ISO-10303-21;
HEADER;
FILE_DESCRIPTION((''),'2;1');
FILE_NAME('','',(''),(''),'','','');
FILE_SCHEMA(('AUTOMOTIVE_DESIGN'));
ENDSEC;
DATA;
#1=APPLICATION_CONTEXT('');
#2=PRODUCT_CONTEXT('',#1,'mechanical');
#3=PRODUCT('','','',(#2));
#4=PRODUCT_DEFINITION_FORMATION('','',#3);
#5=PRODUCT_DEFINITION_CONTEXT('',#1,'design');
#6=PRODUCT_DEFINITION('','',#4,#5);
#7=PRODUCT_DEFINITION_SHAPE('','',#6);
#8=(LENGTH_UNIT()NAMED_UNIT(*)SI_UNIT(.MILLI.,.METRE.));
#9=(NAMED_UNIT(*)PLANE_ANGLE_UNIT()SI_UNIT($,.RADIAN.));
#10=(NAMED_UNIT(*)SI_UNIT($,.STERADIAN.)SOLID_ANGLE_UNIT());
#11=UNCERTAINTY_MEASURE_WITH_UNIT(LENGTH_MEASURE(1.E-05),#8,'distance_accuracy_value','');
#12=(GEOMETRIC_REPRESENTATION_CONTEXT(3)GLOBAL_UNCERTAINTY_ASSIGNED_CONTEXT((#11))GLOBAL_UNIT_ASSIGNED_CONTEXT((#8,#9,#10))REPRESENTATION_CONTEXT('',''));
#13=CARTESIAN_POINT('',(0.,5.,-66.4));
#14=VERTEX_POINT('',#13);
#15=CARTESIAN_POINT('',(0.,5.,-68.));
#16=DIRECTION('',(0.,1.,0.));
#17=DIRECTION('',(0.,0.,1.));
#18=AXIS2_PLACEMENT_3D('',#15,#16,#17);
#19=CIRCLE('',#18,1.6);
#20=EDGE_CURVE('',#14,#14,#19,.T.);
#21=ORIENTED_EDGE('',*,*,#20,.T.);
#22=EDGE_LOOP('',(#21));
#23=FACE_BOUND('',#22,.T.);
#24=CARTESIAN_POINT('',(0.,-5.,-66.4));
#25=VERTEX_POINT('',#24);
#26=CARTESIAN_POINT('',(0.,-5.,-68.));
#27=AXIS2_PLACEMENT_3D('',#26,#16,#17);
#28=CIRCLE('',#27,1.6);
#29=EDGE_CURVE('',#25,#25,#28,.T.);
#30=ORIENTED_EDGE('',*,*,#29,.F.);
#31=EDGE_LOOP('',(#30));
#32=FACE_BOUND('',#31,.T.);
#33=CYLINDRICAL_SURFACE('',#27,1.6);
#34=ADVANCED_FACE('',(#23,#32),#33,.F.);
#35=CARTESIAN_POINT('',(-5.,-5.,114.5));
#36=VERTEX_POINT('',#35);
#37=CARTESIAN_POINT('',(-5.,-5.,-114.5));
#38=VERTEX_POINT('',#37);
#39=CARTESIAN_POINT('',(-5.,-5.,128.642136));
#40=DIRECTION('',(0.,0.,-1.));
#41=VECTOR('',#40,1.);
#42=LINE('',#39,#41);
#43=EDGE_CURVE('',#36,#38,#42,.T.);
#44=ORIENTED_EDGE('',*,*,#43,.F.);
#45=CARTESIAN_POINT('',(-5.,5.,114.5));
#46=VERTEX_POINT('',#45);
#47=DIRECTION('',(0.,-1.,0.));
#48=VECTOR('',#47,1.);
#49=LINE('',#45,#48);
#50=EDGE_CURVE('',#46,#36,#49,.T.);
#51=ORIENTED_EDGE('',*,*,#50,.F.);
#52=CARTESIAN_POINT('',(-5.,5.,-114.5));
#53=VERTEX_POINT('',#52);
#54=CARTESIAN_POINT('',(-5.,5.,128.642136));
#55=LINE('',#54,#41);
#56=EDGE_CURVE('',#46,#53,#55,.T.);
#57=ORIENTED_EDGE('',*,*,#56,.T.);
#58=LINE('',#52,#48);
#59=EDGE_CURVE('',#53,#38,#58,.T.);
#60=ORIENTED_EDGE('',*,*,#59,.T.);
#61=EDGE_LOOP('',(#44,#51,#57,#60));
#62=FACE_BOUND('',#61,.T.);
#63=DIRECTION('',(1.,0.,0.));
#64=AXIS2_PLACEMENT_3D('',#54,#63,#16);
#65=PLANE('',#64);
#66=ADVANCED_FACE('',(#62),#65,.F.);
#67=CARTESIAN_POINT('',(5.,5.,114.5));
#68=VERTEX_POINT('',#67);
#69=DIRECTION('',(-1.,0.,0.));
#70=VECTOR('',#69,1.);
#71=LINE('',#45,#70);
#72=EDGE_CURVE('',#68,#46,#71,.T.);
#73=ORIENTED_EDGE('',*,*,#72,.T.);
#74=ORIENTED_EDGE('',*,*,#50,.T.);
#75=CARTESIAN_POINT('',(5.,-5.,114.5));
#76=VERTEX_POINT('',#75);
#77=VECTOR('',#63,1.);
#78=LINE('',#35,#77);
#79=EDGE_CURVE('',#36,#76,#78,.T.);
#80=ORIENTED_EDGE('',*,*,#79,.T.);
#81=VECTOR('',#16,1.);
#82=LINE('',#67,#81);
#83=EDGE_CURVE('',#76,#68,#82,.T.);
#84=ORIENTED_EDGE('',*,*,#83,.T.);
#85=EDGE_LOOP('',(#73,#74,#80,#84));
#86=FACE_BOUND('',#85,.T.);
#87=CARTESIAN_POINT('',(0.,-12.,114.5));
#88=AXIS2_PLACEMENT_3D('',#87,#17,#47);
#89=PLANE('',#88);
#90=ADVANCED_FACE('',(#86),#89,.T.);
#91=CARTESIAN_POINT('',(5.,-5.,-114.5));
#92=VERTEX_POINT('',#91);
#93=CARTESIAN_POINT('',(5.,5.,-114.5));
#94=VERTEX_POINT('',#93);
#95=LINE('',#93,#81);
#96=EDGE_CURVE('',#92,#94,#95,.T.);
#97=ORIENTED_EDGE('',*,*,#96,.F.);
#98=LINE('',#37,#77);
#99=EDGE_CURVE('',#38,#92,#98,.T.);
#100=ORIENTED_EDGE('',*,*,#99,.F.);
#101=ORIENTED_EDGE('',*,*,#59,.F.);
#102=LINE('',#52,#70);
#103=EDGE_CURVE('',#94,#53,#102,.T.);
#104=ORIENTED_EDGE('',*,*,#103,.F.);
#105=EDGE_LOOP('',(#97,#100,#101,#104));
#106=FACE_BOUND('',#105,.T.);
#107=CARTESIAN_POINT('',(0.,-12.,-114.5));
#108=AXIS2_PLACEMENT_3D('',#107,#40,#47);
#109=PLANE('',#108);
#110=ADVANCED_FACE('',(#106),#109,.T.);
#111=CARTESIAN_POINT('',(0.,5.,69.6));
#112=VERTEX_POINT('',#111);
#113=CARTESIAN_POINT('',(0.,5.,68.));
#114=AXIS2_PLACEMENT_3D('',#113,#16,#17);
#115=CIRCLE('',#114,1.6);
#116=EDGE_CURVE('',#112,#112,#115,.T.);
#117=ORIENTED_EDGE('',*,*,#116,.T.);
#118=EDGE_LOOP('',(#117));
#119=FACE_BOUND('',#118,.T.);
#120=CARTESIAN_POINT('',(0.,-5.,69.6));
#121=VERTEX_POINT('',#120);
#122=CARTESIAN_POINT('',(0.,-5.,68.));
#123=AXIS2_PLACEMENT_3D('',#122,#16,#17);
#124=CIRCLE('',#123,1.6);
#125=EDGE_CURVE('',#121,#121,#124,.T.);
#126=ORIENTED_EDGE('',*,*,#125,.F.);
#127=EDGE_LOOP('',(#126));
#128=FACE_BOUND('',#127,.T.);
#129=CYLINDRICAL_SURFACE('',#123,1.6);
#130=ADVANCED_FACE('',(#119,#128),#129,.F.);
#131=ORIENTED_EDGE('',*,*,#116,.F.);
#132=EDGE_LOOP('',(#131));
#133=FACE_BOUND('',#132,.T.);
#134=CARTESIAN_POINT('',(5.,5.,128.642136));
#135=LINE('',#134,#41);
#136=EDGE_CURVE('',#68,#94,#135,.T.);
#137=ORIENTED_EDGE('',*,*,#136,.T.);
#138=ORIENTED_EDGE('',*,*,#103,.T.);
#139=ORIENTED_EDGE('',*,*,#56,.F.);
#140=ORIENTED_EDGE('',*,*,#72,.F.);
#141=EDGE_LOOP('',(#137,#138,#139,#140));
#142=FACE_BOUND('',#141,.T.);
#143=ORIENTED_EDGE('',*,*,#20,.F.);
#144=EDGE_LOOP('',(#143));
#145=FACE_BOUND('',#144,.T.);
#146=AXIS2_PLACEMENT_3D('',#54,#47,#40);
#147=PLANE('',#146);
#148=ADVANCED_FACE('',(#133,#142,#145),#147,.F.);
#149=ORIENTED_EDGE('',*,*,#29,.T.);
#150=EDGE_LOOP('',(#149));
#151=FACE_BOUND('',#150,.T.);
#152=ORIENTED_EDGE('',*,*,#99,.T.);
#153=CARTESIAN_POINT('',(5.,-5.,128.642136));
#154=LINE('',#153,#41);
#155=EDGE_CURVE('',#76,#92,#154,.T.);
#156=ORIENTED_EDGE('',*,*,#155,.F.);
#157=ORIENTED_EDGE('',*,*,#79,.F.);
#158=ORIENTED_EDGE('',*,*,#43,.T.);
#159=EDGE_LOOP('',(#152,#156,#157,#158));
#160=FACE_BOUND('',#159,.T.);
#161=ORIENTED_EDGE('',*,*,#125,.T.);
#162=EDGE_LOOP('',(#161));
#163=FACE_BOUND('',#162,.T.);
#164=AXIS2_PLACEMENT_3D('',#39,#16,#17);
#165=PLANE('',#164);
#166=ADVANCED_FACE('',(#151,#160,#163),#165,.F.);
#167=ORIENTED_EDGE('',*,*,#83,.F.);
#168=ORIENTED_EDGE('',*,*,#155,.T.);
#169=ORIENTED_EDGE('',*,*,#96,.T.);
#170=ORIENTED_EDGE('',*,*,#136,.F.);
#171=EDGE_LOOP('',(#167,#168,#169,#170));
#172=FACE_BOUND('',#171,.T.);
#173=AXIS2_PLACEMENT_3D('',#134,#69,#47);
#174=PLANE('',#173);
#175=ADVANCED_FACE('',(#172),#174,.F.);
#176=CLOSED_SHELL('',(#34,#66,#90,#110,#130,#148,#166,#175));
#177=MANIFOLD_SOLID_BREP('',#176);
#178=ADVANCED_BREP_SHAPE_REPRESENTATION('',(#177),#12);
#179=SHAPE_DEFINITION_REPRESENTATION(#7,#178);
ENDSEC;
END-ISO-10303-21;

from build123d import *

# Parameters (mm, degrees)
ESQUISSE1_W             = 10
ESQUISSE1_H             = 10
BOSS_EXTRU_1_DEPTH      = 114.5
BOSS_EXTRU_1_DEPTH_BACK = 114.5
ESQUISSE2_R             = 1.6
ENL_V_MAT_EXTRU_1_DEPTH = 11


with BuildPart() as part:
    # Esquisse1 → Boss.-Extru.1 (new body, two sides)
    with BuildSketch(Plane.XY) as boss_extru_1_sk:
        Rectangle(ESQUISSE1_W, ESQUISSE1_H)
    extrude(amount=BOSS_EXTRU_1_DEPTH)
    extrude(boss_extru_1_sk.sketch, amount=-BOSS_EXTRU_1_DEPTH_BACK)

    # Esquisse2 → Enlèv. mat.-Extru.1 (cut, through all)
    with BuildSketch(Plane(origin=(0, 5, 0), x_dir=(1, 0, 0), z_dir=(0, 1, 0))):
        with Locations((0, 68)):
            Circle(ESQUISSE2_R)
        with Locations((0, -68)):
            Circle(ESQUISSE2_R)
    extrude(amount=-ENL_V_MAT_EXTRU_1_DEPTH, mode=Mode.SUBTRACT)


solid = part.part
